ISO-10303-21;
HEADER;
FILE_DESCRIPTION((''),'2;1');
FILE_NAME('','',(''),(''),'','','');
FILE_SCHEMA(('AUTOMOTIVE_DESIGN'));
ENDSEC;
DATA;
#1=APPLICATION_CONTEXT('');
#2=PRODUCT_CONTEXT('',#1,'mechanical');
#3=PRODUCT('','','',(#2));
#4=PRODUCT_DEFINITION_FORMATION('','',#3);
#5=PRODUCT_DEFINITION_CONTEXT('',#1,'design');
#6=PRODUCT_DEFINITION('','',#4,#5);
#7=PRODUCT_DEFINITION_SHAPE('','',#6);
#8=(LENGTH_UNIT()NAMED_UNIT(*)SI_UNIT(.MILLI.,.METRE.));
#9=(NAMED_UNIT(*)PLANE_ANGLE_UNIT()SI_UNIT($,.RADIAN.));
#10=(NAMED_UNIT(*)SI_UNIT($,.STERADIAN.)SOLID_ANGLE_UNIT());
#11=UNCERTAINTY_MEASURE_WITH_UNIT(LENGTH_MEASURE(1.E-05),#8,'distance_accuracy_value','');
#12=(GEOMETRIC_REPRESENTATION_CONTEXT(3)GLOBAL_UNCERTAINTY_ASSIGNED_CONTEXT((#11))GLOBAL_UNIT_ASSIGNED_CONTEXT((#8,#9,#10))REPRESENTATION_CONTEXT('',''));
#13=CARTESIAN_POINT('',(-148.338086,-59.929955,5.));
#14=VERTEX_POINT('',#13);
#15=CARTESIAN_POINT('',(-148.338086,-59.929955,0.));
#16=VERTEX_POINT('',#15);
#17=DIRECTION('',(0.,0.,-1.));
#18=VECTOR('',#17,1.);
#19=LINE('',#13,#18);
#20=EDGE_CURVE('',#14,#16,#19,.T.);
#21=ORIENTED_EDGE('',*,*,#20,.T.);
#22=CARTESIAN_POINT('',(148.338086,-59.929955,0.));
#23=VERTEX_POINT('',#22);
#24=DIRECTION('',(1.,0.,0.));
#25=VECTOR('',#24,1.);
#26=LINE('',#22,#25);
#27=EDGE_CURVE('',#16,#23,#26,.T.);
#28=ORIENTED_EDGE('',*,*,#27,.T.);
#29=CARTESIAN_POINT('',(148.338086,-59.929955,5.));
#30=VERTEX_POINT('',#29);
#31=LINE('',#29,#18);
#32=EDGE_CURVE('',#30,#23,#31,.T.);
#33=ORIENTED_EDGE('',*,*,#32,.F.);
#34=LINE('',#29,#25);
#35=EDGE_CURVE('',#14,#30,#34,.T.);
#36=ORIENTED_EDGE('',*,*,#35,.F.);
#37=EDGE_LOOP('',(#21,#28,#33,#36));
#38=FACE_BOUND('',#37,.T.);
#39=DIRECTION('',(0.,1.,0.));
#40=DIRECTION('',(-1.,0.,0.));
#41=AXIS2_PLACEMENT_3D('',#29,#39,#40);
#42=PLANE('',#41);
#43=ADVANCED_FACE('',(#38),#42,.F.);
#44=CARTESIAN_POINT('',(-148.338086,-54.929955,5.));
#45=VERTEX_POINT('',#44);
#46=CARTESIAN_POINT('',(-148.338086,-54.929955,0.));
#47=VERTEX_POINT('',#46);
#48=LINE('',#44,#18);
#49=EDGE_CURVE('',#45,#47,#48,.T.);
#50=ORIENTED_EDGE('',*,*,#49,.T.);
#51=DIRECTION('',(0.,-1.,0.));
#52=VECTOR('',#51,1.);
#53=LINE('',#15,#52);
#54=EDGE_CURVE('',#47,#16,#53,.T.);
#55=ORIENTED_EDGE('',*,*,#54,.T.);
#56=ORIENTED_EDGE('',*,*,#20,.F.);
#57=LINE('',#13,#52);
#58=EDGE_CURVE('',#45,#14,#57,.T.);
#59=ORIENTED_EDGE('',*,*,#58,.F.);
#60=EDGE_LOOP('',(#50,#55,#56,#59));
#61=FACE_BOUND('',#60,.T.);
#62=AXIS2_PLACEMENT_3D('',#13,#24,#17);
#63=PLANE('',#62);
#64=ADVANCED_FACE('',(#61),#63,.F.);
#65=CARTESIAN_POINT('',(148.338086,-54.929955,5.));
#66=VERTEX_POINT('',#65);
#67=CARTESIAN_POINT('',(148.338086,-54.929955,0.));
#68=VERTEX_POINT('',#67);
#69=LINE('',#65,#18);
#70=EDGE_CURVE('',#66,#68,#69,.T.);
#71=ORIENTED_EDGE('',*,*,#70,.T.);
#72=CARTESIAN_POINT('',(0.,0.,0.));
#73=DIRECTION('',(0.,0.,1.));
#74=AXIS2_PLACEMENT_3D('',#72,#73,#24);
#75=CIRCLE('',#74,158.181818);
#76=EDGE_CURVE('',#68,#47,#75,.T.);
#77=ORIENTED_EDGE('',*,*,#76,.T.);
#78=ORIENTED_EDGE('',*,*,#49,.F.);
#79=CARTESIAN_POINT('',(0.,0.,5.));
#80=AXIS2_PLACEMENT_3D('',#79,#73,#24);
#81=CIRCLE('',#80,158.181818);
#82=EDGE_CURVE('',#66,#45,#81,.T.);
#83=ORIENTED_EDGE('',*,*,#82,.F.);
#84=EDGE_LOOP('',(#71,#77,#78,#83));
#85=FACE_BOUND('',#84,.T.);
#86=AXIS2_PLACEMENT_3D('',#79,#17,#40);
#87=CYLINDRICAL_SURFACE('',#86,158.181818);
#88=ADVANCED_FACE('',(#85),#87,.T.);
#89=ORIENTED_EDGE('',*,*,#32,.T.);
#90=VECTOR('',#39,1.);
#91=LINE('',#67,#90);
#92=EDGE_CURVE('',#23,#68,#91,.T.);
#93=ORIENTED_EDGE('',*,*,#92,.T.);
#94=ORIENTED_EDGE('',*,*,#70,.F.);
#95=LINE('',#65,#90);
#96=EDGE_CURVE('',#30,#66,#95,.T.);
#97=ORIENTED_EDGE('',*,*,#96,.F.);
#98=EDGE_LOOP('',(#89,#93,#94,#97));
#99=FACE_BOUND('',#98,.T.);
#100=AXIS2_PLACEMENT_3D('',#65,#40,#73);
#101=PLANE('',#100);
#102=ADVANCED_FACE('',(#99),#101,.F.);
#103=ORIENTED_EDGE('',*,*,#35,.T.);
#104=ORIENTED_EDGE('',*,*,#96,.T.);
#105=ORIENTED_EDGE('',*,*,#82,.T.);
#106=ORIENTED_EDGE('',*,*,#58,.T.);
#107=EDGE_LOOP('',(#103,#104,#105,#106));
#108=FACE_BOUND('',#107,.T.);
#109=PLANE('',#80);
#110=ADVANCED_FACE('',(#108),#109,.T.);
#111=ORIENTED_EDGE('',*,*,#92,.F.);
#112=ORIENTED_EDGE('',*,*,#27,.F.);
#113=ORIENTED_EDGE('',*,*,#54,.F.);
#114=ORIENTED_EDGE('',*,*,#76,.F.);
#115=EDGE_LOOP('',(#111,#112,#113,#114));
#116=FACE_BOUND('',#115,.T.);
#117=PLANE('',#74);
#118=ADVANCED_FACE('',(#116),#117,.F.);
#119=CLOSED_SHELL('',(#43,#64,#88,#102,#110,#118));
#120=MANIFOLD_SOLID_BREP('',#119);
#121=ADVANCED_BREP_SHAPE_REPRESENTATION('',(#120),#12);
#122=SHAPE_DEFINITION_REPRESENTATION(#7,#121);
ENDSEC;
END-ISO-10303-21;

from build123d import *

# Parameters (mm, degrees)
BOSS_EXTRUDE1_DEPTH = 5


with BuildPart() as part:
    # Sketch1 → Boss-Extrude1 (new body)
    with BuildSketch(Plane.XY):
        with BuildLine():
            Line((148.338085742, -54.929954685), (148.338085742, -59.929954685))
            Line((148.338085742, -59.929954685), (-148.338085742, -59.929954685))
            Line((-148.338085742, -59.929954685), (-148.338085742, -54.929954685))
            ThreePointArc((-148.338085742, -54.929954685), (0, 158.181818182), (148.338085742, -54.929954685))
        make_face()
    extrude(amount=BOSS_EXTRUDE1_DEPTH)


solid = part.part
